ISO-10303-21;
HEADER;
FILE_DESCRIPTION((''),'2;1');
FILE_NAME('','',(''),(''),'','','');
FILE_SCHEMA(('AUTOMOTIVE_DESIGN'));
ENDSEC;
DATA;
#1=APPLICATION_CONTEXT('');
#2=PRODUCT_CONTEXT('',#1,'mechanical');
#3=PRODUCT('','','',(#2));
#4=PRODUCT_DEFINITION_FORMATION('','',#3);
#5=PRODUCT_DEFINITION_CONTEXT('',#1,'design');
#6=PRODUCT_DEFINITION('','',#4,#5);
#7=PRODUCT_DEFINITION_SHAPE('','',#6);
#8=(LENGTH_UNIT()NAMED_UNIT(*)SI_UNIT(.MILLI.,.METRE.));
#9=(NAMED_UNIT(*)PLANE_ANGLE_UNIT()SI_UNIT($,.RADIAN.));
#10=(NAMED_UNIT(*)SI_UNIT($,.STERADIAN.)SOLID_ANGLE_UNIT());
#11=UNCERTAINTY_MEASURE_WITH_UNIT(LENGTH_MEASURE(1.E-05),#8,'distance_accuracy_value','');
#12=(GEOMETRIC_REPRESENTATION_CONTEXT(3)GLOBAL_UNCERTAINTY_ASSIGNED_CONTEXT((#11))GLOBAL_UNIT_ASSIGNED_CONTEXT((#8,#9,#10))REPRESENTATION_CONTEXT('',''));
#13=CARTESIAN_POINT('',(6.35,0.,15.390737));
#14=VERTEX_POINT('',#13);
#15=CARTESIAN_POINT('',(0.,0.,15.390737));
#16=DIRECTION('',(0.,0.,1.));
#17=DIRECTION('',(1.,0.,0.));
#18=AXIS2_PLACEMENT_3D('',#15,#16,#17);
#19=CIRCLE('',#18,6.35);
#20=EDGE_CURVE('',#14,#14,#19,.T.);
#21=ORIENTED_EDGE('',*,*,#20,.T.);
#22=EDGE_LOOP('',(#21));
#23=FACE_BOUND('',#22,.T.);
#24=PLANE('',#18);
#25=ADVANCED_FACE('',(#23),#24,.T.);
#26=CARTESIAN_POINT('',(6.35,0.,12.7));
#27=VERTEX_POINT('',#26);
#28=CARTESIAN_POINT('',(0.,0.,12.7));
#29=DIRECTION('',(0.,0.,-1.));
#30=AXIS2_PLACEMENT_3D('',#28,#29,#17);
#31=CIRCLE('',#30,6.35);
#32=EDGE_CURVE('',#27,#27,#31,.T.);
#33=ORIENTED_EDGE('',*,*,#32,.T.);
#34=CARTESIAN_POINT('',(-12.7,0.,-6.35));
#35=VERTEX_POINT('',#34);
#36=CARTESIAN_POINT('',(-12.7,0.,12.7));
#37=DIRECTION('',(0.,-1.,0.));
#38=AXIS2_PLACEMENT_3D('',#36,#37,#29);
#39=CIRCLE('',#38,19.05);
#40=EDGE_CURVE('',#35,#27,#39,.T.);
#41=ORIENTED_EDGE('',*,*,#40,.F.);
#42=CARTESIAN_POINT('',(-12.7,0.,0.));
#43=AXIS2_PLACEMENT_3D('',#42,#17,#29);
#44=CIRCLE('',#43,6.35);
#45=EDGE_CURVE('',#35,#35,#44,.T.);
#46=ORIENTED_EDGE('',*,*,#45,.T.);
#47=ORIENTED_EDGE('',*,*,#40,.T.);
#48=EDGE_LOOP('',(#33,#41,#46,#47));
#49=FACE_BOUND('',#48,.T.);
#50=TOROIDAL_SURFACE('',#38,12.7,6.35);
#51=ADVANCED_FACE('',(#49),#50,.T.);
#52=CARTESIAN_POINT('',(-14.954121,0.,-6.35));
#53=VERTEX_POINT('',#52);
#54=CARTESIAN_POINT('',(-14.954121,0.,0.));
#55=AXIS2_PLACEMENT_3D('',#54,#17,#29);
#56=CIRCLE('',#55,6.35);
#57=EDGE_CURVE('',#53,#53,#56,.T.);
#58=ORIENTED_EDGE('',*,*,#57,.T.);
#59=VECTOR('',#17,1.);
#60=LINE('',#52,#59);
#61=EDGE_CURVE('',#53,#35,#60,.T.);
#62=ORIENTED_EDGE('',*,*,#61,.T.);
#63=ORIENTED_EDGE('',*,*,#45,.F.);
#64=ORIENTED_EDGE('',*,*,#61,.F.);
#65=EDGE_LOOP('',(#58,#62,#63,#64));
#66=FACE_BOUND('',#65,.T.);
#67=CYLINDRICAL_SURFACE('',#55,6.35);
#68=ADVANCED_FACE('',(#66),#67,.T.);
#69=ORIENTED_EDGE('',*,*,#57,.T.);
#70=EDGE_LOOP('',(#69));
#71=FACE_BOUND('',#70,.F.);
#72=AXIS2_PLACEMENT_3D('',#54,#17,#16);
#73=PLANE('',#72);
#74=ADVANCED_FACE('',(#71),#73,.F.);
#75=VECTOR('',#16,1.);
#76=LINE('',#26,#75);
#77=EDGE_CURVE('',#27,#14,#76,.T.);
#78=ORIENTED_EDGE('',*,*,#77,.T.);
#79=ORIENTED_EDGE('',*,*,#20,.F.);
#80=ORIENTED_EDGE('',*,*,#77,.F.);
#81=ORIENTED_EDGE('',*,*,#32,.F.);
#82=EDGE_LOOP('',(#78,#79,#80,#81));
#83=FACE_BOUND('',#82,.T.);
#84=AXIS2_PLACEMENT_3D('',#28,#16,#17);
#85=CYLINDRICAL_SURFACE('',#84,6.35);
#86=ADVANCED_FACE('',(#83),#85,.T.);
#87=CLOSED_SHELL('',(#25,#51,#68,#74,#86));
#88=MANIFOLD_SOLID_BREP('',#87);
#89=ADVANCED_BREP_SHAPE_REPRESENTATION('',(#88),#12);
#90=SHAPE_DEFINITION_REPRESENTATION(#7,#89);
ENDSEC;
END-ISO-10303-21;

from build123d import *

# Parameters (mm, degrees)
F2_R = 6.35


with BuildPart() as f3:
    # F3: sweep along a path in F0
    with BuildLine(Plane.XZ) as f3_path:
        Line((-14.9541208521, 0), (-12.7, 0))
        ThreePointArc((-12.7, 0), (-3.7197438789, 3.7197438789), (0, 12.7))
        Line((0, 12.7), (0, 15.3907369822))
    # F2 (on plane+point) → F3 (sweep)
    with BuildSketch(Plane.XY.offset(15.3907369822)):
        Circle(F2_R)
    sweep(path=f3_path.line)


solid = f3.part
